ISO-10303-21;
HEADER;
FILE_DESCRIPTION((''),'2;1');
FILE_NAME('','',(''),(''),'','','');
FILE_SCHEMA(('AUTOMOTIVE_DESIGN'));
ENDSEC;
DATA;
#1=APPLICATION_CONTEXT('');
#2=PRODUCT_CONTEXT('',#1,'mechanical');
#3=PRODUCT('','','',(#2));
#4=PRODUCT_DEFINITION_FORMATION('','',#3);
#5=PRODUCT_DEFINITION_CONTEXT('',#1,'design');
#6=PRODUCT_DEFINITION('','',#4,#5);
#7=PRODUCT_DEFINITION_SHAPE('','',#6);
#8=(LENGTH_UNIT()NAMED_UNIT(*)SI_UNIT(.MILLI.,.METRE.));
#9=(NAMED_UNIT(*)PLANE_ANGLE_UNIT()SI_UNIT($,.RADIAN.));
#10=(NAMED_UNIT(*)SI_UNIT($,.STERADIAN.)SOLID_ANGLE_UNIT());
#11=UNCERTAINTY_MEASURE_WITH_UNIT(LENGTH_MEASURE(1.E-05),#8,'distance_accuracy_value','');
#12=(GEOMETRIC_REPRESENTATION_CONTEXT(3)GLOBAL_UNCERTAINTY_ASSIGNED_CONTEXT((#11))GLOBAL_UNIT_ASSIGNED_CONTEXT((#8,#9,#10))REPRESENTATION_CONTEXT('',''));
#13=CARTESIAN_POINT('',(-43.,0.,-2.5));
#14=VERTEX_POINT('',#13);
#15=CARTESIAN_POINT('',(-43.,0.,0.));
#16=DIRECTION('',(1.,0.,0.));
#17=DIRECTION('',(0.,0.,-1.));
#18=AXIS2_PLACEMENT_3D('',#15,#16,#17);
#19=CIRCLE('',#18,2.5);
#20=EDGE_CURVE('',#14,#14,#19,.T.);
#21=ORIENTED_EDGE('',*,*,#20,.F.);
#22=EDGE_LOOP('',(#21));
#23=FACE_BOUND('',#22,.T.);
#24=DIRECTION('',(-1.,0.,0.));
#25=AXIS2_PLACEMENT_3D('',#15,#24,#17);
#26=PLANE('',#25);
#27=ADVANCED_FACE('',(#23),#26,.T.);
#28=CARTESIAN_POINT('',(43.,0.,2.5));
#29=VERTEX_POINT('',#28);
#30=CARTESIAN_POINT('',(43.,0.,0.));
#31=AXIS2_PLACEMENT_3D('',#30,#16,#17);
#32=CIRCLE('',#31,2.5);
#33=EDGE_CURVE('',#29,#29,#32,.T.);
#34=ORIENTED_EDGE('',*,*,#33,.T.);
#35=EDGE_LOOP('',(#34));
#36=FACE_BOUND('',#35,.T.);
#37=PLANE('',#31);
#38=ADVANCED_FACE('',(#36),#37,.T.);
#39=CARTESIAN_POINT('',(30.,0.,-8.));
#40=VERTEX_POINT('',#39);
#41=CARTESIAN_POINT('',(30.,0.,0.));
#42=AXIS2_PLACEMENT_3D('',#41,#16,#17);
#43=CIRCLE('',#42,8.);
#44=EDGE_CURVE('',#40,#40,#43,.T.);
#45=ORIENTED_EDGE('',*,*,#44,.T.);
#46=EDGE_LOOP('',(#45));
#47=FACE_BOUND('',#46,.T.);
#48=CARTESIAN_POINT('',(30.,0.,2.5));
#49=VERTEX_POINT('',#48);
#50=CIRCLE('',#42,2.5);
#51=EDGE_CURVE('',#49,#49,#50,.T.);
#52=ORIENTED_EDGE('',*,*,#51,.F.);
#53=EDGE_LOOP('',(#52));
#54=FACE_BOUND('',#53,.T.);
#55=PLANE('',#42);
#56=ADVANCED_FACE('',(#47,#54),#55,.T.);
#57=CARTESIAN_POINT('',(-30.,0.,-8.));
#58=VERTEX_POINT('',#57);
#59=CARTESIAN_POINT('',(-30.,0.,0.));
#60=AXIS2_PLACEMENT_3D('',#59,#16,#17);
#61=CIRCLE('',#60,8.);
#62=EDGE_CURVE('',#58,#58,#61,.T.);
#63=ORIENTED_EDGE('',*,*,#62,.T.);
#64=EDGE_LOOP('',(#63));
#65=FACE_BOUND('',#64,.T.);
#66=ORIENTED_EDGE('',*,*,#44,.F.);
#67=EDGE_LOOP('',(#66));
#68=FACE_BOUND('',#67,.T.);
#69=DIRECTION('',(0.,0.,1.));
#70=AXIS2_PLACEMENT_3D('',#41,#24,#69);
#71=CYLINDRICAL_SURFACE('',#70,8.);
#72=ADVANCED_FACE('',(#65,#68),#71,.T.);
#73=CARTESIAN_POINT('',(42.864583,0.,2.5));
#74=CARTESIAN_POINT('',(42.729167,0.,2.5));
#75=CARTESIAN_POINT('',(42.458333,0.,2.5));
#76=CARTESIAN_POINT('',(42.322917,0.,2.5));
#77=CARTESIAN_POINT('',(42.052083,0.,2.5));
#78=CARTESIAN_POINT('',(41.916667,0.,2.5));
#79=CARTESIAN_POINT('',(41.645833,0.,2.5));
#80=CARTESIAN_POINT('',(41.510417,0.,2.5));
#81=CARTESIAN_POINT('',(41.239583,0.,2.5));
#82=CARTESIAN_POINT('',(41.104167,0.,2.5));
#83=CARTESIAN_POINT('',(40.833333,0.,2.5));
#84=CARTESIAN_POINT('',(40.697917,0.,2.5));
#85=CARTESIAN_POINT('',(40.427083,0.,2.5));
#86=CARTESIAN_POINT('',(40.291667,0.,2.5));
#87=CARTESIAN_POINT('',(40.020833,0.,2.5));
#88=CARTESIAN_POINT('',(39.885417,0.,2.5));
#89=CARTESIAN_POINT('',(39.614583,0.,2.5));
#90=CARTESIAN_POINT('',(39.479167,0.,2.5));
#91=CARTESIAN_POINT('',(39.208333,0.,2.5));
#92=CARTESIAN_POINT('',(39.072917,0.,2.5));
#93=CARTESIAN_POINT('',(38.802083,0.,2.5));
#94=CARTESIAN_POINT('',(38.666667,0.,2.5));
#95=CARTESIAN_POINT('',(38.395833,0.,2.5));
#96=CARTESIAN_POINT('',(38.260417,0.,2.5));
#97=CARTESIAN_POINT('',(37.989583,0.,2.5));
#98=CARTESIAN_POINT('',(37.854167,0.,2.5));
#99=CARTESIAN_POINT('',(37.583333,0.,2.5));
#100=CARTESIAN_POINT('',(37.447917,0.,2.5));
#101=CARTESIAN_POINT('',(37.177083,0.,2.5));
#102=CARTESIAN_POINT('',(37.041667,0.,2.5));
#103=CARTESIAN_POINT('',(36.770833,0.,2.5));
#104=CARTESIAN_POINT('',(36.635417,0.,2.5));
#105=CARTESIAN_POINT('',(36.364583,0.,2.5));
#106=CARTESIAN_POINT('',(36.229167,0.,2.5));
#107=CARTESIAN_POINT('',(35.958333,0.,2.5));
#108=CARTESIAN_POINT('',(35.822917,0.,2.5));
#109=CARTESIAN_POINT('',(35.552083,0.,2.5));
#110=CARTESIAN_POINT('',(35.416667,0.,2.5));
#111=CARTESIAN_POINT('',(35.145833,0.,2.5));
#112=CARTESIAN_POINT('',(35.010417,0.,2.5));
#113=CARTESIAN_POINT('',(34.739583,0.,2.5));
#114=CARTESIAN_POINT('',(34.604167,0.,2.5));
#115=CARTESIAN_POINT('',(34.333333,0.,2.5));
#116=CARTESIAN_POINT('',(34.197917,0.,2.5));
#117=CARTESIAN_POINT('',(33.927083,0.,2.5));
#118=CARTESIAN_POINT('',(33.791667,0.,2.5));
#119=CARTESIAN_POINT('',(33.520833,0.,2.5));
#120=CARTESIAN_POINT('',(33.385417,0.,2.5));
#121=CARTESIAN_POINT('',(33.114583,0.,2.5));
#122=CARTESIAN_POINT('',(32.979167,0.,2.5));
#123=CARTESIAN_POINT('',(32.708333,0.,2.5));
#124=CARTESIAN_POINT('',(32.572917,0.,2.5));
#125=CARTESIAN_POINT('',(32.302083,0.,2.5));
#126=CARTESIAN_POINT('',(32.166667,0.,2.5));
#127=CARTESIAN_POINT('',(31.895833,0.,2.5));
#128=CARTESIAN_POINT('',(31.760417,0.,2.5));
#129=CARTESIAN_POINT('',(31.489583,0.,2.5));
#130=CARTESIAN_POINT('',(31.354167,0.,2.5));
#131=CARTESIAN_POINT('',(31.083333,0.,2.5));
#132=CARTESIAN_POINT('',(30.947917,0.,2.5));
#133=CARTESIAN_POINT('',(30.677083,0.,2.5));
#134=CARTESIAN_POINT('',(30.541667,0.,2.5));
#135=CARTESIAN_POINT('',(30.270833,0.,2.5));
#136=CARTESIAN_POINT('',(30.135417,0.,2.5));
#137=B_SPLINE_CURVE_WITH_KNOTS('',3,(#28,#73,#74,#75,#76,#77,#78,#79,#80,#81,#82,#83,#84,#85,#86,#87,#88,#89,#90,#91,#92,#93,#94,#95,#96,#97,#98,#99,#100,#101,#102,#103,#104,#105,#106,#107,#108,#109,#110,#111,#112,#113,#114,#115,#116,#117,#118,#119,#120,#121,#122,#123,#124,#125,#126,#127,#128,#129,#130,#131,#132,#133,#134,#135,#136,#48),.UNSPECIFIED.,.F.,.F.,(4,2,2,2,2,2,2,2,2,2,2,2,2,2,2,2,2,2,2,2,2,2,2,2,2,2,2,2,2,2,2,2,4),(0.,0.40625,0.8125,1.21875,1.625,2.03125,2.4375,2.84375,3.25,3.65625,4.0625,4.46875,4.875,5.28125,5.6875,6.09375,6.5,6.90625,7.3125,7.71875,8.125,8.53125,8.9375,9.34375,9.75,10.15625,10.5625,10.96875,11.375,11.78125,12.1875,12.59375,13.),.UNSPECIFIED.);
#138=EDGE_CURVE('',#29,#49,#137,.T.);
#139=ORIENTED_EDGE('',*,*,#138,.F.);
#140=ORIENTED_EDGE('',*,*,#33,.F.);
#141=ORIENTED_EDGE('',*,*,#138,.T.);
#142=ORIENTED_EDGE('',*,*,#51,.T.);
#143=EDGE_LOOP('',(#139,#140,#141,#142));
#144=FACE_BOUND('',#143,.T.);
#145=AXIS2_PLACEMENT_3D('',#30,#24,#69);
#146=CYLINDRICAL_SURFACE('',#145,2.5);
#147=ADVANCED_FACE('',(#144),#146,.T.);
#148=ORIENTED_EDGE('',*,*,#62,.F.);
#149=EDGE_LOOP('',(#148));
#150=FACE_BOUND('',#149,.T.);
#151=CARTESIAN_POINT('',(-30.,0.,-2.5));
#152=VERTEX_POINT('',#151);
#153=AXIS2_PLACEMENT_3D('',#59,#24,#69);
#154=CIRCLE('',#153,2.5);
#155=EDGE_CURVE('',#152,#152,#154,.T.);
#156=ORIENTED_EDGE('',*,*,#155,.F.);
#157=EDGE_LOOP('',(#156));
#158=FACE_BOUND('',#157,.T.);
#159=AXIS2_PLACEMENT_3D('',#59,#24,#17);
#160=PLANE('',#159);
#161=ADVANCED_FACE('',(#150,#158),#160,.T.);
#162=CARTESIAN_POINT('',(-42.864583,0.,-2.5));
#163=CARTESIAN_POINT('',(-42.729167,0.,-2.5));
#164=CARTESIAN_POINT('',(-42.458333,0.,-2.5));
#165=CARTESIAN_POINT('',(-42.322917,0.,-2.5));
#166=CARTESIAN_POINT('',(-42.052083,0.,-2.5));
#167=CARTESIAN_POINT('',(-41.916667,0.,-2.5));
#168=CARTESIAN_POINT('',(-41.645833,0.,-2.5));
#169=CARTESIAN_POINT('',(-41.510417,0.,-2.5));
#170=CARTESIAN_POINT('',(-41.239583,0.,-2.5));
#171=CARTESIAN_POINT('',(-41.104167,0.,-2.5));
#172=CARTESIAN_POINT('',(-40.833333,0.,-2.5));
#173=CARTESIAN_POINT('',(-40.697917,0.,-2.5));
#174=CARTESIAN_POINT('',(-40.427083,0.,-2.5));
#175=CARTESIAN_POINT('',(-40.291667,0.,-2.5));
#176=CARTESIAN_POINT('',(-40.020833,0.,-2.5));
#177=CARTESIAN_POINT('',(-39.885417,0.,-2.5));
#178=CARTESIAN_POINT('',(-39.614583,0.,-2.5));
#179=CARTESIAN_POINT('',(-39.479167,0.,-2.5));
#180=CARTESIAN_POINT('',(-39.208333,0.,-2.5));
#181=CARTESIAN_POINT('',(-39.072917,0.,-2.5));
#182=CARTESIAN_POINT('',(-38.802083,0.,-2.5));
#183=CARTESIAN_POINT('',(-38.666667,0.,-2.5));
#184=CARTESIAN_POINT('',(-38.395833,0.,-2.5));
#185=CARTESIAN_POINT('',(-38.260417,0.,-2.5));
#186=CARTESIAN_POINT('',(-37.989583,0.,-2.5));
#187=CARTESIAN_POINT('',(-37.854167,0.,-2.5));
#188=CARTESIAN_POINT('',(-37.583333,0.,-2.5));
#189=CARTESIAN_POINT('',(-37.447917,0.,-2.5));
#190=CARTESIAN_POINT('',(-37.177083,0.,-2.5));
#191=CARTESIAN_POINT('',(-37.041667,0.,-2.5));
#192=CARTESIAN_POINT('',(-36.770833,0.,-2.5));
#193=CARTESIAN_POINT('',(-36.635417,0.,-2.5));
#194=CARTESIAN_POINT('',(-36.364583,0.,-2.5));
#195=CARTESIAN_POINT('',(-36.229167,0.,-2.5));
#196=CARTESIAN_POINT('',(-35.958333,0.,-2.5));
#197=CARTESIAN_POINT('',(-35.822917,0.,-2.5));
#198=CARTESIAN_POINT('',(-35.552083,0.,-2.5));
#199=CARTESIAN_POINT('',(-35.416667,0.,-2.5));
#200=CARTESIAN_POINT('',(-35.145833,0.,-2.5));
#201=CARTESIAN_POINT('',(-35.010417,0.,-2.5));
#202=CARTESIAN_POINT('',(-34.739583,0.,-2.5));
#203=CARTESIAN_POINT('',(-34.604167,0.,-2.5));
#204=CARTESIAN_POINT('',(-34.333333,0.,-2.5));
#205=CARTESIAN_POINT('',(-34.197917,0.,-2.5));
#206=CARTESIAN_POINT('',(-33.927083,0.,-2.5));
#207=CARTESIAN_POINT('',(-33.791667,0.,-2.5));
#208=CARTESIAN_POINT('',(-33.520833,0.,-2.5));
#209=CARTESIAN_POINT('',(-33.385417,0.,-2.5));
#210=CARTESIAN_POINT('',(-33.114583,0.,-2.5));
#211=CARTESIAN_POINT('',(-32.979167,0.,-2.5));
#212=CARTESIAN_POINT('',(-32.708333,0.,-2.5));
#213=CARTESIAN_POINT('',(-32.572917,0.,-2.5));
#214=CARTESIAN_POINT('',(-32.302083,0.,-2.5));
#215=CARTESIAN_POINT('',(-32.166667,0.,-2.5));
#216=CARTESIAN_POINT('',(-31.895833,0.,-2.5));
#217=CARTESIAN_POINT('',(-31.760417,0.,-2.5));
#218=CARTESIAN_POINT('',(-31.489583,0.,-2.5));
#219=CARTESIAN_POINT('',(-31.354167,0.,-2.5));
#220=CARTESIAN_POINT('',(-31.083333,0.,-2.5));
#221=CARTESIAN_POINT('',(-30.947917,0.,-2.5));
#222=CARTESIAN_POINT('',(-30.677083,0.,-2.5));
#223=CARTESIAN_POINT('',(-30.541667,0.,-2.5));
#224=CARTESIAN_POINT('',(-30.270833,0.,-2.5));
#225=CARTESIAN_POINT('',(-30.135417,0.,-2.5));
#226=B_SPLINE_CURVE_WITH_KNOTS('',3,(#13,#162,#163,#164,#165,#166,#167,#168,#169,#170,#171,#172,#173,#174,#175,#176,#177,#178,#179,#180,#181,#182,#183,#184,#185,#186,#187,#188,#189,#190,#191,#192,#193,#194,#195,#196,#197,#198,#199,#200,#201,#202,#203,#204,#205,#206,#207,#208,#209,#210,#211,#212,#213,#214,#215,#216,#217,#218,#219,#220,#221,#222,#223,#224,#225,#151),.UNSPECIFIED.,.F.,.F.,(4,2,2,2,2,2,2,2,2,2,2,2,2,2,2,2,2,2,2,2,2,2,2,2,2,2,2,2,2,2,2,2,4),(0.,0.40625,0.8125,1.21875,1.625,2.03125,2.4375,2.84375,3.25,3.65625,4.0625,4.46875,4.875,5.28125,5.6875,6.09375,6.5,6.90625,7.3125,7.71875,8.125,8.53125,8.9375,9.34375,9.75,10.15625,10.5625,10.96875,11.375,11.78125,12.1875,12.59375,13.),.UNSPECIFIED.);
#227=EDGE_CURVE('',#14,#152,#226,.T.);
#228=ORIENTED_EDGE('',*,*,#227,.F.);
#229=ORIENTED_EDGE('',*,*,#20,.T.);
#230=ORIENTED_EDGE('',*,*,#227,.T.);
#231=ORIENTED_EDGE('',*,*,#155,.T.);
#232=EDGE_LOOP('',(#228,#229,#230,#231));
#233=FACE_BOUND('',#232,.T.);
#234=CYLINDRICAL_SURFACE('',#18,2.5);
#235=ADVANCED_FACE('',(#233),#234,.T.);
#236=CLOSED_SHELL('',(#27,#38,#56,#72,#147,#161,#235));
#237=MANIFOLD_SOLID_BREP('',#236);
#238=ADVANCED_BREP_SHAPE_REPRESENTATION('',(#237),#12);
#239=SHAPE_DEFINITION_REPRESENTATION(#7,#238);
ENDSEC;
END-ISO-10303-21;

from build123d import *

# Parameters (mm, degrees)
SKETCH1_R           = 8
BOSS_EXTRUDE1_DEPTH = 30
SKETCH2_R           = 2.5
BOSS_EXTRUDE2_DEPTH = 13


with BuildPart() as part:
    # Sketch1 → Boss-Extrude1 (new body)
    with BuildSketch(Plane(origin=(0, 0, 0), x_dir=(0, 0, -1), z_dir=(1, 0, 0))):
        Circle(SKETCH1_R)
    boss_extrude1 = extrude(amount=BOSS_EXTRUDE1_DEPTH)

    # Sketch2 → Boss-Extrude2 (add)
    with BuildSketch(Plane(origin=(30, 0, 0), x_dir=(0, 0, -1), z_dir=(1, 0, 0))):
        with Locations(Location((0, 0, 0), (0, 0, 180))):
            Circle(SKETCH2_R)
    boss_extrude2 = extrude(amount=BOSS_EXTRUDE2_DEPTH)

    # Mirror1: Boss-Extrude1, Boss-Extrude2 across plane
    add(boss_extrude1.mirror(Plane(origin=(0, 0, 0), x_dir=(0, 0, 1), z_dir=(1, 0, 0))))
    add(boss_extrude2.mirror(Plane(origin=(0, 0, 0), x_dir=(0, 0, 1), z_dir=(1, 0, 0))))


solid = part.part
